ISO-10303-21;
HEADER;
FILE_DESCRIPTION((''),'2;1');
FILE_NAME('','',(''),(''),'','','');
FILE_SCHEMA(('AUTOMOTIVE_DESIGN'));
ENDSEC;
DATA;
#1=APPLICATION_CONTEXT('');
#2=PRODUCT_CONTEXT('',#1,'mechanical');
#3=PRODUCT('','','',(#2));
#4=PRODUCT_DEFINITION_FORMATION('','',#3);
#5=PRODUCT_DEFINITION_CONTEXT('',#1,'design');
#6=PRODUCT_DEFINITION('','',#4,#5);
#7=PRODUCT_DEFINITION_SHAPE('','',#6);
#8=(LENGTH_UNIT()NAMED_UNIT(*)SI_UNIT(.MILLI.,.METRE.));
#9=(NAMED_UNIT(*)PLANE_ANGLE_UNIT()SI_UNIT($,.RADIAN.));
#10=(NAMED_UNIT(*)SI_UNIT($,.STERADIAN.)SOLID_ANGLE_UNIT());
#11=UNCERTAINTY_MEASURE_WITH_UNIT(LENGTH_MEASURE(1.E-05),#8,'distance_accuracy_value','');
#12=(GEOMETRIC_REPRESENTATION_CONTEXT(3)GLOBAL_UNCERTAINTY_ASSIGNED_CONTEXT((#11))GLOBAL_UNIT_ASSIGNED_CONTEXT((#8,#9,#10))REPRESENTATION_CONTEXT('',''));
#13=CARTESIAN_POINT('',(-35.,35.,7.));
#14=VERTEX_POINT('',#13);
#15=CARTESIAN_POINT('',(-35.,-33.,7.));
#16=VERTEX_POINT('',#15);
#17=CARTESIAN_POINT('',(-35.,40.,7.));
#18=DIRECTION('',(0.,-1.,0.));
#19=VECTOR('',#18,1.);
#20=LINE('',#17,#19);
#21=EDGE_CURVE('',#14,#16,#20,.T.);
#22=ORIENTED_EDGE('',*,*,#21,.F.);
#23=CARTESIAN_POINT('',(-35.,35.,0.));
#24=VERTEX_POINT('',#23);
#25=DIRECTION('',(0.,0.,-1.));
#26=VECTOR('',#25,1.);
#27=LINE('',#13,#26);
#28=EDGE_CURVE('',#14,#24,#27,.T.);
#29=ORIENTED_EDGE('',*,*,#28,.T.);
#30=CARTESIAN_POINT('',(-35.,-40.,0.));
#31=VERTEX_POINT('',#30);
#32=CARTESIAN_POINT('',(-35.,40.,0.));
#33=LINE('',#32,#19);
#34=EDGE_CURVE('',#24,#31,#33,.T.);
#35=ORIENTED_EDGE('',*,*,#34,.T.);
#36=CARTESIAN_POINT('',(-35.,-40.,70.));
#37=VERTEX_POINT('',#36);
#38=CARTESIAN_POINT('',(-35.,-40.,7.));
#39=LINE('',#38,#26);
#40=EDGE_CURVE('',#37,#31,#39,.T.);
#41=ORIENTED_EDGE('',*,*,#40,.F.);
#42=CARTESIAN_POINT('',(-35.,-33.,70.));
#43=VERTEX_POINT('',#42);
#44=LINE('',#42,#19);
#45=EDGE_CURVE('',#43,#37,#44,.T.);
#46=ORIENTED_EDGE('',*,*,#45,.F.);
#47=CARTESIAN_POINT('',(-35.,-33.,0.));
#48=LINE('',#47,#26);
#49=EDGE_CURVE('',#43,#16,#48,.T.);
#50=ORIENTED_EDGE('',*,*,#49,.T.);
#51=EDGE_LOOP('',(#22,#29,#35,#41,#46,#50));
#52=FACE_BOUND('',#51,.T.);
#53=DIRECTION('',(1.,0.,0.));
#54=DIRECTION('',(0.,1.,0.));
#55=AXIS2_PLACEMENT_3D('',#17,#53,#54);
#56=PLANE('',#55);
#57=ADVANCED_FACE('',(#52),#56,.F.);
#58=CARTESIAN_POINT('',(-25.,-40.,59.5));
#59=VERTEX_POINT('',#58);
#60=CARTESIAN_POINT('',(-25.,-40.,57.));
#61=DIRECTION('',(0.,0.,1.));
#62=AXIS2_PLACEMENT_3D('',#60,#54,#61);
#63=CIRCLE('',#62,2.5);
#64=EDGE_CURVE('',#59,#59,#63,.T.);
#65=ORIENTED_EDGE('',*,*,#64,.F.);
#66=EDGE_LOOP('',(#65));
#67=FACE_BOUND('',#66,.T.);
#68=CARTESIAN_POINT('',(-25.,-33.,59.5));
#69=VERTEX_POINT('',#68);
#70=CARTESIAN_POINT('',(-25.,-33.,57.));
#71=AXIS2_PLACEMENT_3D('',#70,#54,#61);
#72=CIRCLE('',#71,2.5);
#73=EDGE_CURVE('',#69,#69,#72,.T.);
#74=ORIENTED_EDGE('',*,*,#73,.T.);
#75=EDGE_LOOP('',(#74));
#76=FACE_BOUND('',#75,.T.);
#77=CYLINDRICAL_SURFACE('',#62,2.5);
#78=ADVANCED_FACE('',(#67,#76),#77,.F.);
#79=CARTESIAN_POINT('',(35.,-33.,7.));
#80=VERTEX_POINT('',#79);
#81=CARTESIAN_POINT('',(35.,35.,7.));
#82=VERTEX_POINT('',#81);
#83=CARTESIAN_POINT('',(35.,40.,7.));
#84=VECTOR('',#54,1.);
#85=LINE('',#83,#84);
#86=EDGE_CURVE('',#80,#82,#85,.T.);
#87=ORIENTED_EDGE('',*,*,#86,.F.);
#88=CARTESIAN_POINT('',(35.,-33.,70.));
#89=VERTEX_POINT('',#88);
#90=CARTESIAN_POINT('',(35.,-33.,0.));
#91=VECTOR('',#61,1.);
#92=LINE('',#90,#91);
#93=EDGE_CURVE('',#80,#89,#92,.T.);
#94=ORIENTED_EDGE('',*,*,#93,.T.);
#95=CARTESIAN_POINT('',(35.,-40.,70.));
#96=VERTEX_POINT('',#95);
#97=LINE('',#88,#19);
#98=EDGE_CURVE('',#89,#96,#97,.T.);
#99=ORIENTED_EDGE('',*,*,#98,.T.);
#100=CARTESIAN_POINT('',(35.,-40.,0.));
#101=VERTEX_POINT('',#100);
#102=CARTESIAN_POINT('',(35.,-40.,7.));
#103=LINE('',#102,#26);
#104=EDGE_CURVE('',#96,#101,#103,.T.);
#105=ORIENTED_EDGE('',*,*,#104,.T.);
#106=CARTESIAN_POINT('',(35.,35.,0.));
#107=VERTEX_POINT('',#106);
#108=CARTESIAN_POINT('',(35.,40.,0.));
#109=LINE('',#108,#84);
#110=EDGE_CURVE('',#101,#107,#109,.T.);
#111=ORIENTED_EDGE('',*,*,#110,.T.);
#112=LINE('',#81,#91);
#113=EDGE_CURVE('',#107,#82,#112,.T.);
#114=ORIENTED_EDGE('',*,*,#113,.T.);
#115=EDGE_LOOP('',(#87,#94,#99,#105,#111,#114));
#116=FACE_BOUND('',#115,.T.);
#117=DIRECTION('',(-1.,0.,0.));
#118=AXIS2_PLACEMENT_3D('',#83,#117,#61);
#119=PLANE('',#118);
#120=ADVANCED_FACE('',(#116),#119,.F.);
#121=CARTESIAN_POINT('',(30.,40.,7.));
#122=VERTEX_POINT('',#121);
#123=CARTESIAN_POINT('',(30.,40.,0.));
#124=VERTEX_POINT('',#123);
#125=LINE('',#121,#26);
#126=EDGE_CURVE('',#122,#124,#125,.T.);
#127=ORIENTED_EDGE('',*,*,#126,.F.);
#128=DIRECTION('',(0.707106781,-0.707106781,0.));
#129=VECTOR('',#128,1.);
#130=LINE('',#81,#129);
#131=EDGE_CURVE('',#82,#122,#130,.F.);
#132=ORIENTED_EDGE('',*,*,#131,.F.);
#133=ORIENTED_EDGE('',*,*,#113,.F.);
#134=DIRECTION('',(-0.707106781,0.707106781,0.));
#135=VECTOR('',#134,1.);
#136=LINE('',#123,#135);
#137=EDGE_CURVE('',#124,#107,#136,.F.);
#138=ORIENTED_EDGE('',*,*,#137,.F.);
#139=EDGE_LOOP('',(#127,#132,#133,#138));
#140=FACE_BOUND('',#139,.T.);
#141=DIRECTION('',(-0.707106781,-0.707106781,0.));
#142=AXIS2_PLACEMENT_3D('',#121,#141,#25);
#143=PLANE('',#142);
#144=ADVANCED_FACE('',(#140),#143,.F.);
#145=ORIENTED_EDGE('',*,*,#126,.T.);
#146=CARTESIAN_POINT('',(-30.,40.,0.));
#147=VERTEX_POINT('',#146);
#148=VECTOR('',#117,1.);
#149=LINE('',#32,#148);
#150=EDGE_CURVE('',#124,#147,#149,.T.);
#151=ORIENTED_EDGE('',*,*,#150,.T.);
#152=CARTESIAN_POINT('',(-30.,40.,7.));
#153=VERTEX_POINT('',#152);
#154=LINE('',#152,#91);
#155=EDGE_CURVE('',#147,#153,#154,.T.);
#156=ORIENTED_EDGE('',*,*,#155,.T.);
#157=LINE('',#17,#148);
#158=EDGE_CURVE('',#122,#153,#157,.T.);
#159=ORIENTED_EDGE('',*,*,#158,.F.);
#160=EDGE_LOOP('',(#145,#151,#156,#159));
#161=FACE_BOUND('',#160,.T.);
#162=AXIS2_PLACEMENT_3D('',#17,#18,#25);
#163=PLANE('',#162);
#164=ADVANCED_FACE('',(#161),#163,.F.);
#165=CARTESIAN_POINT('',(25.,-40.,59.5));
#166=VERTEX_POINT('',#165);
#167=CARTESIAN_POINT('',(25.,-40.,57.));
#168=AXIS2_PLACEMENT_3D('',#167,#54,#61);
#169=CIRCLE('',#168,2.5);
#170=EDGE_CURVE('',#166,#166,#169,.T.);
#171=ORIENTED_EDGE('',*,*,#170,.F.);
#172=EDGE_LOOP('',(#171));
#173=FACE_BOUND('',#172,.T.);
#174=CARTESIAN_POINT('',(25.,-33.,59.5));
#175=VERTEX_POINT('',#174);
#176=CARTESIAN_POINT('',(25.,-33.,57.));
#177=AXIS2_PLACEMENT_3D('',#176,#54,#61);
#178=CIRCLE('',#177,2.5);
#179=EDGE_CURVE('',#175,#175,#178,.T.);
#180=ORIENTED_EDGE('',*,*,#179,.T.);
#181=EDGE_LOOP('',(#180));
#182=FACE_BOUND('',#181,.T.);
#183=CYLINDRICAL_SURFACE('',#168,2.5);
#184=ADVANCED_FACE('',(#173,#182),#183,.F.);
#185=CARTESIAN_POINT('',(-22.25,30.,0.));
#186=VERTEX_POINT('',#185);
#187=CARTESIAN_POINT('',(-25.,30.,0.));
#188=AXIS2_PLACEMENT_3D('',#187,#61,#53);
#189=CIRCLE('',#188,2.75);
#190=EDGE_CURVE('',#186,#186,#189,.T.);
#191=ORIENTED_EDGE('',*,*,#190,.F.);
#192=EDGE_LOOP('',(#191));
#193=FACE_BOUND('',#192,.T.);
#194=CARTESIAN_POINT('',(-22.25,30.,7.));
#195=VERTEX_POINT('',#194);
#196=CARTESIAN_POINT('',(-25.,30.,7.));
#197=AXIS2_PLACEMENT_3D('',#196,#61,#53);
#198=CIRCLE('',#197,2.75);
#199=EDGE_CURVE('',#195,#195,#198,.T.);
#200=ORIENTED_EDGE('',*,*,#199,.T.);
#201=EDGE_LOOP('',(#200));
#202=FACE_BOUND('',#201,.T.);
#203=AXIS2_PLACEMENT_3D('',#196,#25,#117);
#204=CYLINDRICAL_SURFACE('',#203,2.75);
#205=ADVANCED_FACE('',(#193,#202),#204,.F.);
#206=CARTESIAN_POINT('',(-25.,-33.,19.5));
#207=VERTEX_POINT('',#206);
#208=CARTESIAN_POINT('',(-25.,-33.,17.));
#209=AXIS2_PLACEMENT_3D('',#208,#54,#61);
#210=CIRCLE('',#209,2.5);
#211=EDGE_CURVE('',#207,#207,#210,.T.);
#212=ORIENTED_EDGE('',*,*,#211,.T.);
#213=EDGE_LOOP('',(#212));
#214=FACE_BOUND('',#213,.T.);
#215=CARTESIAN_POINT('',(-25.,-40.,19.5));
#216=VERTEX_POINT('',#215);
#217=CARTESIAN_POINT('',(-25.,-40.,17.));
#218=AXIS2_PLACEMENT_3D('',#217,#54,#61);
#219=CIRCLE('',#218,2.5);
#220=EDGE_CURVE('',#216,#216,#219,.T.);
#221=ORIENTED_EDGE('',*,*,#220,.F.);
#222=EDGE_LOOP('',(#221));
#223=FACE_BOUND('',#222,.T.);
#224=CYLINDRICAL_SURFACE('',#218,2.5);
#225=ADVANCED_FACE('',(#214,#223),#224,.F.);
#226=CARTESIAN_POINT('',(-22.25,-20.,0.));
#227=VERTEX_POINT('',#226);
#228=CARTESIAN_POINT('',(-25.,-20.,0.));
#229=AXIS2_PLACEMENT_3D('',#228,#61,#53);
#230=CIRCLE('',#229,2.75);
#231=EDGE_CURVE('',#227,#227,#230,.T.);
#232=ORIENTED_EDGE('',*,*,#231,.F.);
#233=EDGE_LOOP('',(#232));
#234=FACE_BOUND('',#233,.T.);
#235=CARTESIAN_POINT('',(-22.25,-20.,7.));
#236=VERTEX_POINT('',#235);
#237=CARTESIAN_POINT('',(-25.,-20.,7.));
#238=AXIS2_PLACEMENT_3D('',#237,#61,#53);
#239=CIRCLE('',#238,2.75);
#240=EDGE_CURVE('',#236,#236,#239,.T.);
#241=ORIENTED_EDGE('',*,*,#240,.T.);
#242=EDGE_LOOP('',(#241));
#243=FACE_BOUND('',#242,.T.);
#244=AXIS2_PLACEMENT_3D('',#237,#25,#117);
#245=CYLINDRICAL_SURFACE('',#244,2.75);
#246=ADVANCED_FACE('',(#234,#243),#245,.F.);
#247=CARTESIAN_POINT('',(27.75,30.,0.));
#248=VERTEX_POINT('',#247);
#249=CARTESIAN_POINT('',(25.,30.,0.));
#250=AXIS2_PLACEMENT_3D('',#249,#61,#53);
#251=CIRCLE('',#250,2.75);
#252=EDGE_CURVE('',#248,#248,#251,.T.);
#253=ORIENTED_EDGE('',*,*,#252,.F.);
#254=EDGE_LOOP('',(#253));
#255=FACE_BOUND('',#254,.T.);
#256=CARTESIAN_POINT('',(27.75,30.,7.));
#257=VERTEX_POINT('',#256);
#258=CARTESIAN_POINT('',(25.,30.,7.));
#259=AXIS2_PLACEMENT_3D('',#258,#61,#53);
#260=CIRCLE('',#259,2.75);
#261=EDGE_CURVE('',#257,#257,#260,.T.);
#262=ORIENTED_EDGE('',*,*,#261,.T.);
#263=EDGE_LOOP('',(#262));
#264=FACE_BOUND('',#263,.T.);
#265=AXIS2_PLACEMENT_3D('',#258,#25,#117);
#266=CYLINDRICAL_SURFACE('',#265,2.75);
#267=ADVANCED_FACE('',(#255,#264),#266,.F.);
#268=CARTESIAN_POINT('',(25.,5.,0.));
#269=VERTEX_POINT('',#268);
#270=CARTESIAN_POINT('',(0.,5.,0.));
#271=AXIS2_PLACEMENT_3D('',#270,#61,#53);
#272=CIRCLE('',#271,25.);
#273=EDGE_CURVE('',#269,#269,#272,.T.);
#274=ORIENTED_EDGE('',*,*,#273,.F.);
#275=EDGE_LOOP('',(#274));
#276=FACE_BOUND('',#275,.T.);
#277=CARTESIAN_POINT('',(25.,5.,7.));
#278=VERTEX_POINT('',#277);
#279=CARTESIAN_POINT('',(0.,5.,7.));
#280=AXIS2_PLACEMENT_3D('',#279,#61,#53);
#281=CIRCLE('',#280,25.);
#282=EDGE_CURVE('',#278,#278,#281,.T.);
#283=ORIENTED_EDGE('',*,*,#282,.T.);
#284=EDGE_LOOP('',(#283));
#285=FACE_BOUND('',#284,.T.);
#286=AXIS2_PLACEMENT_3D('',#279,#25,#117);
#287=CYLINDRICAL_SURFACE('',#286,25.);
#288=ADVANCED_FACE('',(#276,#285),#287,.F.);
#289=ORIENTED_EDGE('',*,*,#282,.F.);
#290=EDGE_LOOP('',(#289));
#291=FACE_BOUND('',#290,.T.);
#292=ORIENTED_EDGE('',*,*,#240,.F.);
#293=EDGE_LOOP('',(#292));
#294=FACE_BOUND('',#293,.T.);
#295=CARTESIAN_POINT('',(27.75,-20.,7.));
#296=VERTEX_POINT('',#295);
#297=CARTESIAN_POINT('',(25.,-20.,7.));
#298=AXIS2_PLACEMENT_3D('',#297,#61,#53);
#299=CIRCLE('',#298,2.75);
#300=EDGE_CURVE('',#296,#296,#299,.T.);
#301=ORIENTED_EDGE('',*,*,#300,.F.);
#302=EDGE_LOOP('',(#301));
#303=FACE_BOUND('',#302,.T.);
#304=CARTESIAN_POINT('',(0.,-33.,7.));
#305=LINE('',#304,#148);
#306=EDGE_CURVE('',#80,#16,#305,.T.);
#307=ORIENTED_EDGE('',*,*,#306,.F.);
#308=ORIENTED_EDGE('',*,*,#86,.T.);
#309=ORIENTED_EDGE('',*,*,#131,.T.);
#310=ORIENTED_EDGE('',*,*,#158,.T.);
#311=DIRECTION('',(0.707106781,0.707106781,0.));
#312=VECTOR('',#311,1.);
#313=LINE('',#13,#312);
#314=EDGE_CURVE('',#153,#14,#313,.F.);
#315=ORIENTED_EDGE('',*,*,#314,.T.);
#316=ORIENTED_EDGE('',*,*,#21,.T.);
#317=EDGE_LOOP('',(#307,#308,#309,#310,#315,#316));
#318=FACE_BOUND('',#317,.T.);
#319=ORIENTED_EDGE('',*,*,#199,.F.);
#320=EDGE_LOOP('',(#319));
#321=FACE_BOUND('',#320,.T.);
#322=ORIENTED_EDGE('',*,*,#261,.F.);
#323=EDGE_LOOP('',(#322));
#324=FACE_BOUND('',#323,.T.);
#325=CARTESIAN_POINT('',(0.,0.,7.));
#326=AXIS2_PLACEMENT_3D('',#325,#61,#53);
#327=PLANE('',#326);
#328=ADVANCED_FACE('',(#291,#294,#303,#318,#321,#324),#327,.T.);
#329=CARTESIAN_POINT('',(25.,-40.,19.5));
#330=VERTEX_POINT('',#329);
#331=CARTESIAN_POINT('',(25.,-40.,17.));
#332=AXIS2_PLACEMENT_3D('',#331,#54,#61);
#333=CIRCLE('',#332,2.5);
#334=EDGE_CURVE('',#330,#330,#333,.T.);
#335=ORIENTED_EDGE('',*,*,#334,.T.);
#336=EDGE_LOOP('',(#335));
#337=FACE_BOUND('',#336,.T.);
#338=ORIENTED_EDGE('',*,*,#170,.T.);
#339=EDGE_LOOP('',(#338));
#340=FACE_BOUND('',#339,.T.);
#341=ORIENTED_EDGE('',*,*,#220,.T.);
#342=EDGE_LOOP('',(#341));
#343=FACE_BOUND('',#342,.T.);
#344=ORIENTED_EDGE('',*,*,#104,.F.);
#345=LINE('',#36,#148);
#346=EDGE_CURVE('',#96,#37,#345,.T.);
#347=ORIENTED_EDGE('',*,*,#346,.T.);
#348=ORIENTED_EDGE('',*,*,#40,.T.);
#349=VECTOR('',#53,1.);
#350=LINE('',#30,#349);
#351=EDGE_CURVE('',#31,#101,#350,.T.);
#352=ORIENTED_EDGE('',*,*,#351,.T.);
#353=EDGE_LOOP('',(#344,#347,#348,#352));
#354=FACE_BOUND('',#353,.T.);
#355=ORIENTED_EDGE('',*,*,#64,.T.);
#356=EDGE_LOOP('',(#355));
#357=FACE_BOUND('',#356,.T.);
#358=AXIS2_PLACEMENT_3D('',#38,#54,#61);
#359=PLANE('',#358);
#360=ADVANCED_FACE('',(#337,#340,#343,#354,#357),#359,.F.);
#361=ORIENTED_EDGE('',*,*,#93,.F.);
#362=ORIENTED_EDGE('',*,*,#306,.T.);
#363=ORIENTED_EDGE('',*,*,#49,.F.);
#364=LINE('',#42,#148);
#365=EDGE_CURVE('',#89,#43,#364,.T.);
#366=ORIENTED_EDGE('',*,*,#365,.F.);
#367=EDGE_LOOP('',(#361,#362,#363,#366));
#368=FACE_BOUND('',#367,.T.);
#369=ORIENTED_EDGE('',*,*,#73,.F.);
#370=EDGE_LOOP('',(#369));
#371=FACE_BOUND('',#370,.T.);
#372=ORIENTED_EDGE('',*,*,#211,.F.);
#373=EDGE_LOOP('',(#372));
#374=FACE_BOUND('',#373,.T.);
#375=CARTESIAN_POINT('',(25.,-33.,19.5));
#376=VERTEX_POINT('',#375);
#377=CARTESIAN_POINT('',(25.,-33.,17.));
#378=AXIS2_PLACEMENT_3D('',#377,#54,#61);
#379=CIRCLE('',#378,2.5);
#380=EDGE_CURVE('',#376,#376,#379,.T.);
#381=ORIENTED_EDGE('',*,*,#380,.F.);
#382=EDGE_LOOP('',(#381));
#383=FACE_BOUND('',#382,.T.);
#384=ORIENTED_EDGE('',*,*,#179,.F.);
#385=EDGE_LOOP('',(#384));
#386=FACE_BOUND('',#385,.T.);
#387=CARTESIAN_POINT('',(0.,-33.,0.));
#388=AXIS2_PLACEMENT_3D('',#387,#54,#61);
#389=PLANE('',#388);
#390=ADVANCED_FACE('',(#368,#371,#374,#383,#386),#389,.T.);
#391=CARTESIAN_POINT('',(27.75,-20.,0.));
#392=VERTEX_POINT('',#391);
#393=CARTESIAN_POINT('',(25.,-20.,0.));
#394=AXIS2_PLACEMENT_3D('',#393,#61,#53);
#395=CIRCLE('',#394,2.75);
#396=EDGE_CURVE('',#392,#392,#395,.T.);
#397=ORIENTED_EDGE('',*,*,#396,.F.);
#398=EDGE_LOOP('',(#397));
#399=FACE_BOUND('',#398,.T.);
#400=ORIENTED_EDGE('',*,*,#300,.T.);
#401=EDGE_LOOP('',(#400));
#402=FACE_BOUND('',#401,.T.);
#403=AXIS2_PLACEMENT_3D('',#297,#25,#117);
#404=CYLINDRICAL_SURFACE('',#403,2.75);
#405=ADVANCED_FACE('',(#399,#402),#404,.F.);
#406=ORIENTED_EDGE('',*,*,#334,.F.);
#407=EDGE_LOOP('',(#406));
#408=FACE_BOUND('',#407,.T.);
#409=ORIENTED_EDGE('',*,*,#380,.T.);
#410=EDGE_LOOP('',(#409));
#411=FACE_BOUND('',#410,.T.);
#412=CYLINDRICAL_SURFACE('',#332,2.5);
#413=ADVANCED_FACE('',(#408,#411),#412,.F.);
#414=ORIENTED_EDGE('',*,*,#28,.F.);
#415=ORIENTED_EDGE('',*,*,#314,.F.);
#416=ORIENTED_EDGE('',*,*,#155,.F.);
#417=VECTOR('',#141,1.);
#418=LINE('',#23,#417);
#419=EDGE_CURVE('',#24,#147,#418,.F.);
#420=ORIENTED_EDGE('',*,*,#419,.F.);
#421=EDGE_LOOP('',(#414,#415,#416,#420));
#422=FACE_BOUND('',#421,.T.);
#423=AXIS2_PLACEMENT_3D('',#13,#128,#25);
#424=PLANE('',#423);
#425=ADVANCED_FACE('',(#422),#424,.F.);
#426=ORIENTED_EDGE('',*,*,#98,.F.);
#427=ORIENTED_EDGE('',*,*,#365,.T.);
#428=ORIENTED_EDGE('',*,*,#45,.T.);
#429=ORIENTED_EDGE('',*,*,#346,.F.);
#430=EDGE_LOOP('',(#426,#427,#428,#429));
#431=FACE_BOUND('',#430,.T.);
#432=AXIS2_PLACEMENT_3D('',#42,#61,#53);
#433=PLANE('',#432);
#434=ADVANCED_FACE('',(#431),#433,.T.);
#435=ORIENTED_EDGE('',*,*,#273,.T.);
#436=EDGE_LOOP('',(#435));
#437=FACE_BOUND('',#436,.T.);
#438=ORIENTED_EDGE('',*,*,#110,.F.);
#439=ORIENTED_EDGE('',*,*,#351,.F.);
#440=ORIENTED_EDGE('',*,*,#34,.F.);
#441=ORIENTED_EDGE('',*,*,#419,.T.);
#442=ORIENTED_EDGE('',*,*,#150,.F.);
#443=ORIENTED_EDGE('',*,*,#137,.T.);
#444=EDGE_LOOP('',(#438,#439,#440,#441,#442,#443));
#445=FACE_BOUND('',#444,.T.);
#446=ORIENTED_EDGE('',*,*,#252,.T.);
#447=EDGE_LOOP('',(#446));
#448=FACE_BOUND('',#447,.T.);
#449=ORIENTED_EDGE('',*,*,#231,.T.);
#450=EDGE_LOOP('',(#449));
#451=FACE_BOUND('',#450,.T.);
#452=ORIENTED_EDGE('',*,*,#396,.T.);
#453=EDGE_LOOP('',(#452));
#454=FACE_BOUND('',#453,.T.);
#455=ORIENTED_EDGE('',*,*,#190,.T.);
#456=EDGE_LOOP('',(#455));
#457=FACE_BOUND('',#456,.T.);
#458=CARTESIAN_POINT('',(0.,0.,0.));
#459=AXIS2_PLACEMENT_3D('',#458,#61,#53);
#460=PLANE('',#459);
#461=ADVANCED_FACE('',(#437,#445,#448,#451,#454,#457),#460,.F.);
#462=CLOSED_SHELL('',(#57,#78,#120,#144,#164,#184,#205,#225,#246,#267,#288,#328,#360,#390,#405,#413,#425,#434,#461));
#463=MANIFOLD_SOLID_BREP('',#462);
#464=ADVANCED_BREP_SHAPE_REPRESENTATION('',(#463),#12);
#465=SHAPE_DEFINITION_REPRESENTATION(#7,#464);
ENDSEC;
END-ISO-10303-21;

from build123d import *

# Parameters (mm, degrees)
SKETCH1_W           = 70
SKETCH1_H           = 80
SKETCH1_R           = 2.75
SKETCH1_R_2         = 25
BOSS_EXTRUDE1_DEPTH = 7
SKETCH2_W           = 70
SKETCH2_H           = 70
BOSS_EXTRUDE2_DEPTH = 7
SKETCH3_R           = 2.5
CUT_EXTRUDE1_DEPTH  = 7
CHAMFER1_SIZE       = 5


with BuildPart() as part:
    # Sketch1 → Boss-Extrude1 (new body)
    with BuildSketch(Plane.XY):
        Rectangle(SKETCH1_W, SKETCH1_H)
        with Locations((-25, 30)):
            Circle(SKETCH1_R, mode=Mode.SUBTRACT)
        with Locations((25, 30)):
            Circle(SKETCH1_R, mode=Mode.SUBTRACT)
        with Locations((-25, -20)):
            Circle(SKETCH1_R, mode=Mode.SUBTRACT)
        with Locations((25, -20)):
            Circle(SKETCH1_R, mode=Mode.SUBTRACT)
        with Locations((0, 5)):
            Circle(SKETCH1_R_2, mode=Mode.SUBTRACT)
    extrude(amount=BOSS_EXTRUDE1_DEPTH)

    # Sketch2 → Boss-Extrude2 (add)
    with BuildSketch(Plane.XZ.offset(40)):
        with Locations((0, 35)):
            Rectangle(SKETCH2_W, SKETCH2_H)
    extrude(amount=-BOSS_EXTRUDE2_DEPTH)

    # Sketch3 → Cut-Extrude1 (cut)
    with BuildSketch(Plane(origin=(0, -33, 0), x_dir=(1, 0, 0), z_dir=(0, 1, 0))):
        with Locations(Location((-25, -17, 0), (0, 0, 270))):
            Circle(SKETCH3_R)
        with Locations(Location((25, -17, 0), (0, 0, 270))):
            Circle(SKETCH3_R)
        with Locations(Location((-25, -57, 0), (0, 0, 270))):
            Circle(SKETCH3_R)
        with Locations(Location((25, -57, 0), (0, 0, 270))):
            Circle(SKETCH3_R)
    extrude(amount=-CUT_EXTRUDE1_DEPTH, mode=Mode.SUBTRACT)

    # Chamfer1
    chamfer1_edges = [part.edges().sort_by_distance(p)[0] for p in [
        (-35, 40, 3.5),
        (35, 40, 3.5),
    ]]
    chamfer(chamfer1_edges, length=CHAMFER1_SIZE)


solid = part.part
